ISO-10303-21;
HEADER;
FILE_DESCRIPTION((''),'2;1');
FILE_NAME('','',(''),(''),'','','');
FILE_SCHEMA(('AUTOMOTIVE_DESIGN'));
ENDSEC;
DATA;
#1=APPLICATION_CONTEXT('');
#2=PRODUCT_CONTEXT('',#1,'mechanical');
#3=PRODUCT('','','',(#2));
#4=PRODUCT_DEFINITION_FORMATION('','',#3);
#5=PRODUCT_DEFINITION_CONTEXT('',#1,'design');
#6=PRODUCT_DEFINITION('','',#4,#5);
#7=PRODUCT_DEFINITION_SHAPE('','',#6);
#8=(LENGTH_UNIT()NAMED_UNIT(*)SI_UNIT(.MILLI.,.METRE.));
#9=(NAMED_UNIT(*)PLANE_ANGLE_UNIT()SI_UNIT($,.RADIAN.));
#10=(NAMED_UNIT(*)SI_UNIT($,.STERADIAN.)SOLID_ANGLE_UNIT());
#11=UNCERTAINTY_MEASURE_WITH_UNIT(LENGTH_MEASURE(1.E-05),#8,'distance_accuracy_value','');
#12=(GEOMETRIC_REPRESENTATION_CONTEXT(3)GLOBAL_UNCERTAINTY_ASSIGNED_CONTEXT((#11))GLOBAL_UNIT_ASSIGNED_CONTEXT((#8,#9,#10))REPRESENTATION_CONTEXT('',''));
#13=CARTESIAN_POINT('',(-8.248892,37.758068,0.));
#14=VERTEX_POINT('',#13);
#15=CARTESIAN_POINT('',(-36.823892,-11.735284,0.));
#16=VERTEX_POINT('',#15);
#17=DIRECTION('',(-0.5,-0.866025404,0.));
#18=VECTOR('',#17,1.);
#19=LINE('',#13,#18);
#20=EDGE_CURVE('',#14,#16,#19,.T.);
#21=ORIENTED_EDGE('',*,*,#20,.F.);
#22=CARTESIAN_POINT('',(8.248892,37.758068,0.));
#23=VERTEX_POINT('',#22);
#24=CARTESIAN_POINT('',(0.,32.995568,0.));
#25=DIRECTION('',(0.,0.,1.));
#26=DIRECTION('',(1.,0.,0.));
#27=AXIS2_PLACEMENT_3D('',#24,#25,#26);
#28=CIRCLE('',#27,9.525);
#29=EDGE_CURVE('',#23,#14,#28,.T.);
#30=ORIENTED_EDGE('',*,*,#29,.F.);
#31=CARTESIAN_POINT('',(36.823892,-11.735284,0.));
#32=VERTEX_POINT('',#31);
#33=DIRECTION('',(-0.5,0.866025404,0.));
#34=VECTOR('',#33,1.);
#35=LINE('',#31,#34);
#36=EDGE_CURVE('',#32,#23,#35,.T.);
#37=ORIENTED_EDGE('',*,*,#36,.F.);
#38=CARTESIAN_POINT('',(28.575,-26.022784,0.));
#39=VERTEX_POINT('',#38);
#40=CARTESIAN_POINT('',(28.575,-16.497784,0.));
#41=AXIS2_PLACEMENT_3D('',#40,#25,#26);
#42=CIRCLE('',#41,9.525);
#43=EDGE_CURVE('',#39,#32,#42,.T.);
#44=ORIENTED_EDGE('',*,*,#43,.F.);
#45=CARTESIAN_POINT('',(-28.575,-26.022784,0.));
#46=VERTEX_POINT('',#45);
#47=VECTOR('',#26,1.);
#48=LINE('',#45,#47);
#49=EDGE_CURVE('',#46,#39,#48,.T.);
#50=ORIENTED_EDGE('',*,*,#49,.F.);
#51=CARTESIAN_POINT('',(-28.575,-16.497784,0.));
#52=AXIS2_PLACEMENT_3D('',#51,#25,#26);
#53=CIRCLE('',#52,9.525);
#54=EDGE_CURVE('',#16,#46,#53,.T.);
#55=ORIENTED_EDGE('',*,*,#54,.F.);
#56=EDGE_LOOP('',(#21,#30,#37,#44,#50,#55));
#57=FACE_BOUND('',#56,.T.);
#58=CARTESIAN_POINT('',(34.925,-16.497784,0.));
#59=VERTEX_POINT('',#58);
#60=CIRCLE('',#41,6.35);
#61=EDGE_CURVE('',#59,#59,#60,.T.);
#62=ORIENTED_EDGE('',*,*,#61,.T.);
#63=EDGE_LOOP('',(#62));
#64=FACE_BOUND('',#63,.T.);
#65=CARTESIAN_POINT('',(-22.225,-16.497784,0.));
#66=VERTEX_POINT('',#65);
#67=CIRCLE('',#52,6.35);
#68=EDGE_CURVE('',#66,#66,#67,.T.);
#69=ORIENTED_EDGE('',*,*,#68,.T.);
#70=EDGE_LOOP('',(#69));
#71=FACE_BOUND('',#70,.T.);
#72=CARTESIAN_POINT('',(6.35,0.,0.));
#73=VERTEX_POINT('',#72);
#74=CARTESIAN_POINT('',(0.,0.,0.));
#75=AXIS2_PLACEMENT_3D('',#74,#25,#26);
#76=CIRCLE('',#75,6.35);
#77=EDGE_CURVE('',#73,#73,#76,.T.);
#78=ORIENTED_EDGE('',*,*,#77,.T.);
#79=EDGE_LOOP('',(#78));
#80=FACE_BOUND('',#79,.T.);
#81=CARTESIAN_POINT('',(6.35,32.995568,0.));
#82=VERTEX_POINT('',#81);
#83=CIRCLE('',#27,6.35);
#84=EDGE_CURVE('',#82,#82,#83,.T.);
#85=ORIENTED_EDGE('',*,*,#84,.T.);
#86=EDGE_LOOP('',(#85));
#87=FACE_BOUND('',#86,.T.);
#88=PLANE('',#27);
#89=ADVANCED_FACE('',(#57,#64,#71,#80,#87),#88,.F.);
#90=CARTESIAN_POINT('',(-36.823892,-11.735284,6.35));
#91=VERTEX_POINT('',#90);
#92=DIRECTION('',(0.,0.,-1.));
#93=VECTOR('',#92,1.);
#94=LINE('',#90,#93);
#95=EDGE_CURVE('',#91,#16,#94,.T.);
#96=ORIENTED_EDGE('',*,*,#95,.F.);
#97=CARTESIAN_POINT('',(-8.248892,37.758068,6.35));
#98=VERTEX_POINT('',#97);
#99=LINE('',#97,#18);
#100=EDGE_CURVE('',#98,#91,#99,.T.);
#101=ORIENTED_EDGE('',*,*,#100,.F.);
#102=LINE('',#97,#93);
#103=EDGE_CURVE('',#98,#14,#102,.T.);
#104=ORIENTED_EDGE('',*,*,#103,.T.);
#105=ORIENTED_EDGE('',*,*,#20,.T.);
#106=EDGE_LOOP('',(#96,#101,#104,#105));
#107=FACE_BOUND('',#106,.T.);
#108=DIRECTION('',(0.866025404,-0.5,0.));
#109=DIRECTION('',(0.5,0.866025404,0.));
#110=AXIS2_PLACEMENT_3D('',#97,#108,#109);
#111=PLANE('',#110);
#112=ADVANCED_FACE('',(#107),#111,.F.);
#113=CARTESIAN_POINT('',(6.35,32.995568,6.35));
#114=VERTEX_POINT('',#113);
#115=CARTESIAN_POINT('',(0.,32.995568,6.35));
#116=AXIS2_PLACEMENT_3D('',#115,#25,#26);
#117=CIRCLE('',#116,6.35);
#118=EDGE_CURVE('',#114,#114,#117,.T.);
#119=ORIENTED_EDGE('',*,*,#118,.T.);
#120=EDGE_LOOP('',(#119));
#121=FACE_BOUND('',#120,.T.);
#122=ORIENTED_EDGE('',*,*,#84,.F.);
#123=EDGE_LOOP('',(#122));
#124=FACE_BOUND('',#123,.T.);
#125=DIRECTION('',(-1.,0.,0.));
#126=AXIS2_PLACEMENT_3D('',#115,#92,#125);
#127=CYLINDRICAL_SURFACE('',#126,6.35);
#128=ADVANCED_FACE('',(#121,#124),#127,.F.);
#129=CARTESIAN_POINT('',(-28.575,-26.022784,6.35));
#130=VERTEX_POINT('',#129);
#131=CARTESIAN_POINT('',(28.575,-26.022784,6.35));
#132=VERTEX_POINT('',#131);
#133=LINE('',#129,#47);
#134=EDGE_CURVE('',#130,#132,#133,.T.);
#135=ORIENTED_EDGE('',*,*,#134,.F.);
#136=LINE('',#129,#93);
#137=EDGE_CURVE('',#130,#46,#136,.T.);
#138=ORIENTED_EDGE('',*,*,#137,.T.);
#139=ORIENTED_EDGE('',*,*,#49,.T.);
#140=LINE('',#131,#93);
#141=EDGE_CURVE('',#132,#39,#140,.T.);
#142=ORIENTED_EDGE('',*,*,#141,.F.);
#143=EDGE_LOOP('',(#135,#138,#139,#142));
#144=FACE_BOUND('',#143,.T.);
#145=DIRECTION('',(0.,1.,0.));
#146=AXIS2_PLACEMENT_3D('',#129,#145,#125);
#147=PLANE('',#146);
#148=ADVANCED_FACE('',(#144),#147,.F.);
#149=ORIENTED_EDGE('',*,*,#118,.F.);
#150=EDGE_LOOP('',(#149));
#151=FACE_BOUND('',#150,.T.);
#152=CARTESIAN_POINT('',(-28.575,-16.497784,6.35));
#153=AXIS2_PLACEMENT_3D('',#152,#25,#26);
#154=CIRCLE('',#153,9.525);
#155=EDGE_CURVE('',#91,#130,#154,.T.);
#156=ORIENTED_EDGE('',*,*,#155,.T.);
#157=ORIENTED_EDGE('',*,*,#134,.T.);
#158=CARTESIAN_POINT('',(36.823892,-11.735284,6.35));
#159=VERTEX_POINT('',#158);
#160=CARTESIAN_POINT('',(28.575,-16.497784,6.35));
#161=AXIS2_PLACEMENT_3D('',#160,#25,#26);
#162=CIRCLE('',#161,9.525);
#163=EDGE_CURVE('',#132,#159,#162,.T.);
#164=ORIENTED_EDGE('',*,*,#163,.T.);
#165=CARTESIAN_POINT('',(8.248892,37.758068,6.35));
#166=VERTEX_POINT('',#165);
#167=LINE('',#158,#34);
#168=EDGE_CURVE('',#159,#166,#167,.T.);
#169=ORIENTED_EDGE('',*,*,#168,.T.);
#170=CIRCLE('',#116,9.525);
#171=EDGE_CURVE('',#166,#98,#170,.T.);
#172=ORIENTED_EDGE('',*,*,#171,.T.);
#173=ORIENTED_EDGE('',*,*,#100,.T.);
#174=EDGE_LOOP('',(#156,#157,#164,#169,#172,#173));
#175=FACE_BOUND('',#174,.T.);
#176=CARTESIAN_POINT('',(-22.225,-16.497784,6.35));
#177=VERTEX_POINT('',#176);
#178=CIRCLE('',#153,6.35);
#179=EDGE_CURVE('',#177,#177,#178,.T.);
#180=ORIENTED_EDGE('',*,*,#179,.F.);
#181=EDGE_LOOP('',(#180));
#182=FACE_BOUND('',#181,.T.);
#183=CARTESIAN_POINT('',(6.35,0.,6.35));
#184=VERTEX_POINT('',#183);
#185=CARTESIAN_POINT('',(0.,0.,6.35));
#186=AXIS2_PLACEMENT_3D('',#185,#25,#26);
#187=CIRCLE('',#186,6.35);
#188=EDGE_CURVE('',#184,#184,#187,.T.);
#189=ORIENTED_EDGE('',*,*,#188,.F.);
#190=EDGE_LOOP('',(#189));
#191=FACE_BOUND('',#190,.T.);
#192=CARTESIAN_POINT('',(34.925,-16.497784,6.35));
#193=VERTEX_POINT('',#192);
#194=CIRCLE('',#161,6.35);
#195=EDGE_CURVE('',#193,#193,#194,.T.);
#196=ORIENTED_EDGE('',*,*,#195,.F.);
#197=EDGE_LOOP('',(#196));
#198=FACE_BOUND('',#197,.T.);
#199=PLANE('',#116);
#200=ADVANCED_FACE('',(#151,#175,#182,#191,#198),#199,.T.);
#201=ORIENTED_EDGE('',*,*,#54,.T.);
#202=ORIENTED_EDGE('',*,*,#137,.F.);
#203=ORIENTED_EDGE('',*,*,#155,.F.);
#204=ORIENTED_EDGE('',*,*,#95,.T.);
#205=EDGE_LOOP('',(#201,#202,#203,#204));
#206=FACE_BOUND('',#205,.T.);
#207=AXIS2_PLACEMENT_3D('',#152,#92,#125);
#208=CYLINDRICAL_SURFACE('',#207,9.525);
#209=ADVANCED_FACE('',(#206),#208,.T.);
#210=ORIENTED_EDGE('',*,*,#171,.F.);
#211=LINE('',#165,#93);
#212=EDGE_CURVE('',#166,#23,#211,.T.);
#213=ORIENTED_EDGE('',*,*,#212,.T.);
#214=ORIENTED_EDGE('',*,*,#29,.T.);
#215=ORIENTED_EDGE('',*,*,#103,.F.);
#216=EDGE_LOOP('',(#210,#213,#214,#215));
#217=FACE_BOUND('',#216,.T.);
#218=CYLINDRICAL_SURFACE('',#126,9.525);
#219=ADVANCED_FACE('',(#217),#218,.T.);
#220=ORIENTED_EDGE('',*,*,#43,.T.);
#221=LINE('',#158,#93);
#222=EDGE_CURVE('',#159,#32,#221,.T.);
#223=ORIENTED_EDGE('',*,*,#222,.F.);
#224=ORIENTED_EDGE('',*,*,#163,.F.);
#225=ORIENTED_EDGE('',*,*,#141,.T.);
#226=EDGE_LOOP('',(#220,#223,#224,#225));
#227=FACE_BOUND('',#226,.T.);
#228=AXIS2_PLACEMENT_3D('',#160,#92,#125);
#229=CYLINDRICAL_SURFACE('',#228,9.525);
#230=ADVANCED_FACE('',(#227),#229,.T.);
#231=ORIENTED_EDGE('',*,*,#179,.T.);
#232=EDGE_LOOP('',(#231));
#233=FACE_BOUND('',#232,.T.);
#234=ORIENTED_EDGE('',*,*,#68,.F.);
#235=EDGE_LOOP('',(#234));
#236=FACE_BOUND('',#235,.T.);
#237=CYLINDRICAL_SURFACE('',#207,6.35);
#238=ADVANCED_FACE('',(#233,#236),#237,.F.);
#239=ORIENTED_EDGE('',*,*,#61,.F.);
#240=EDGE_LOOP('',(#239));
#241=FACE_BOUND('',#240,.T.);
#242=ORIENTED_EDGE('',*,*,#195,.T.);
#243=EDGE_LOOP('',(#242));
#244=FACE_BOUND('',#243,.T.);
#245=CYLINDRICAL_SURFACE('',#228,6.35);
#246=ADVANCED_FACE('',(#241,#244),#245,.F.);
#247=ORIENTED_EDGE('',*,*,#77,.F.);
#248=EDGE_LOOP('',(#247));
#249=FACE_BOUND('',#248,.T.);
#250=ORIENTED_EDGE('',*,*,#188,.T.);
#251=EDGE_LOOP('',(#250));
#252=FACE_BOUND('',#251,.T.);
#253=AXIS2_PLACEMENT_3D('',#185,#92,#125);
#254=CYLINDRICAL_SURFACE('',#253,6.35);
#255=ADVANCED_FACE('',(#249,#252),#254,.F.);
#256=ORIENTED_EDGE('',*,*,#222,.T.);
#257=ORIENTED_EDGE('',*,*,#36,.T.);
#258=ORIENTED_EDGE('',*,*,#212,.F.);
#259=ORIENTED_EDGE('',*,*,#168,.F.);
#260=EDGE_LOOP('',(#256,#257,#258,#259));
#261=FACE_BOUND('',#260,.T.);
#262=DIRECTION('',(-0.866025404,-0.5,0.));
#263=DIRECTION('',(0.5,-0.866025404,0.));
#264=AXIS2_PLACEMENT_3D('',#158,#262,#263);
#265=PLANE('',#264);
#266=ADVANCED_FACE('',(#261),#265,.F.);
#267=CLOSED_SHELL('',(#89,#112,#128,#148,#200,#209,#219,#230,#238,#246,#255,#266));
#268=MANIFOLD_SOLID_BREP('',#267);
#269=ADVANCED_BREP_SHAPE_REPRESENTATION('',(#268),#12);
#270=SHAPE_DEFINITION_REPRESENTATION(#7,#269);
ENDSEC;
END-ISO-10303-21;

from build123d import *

# Parameters (mm, degrees)
SKETCH1_R           = 6.35
BOSS_EXTRUDE1_DEPTH = 6.35


with BuildPart() as part:
    # Sketch1 → Boss-Extrude1 (new body)
    with BuildSketch(Plane.XY):
        with BuildLine():
            Line((-8.248891971, 37.758067884), (-36.823891971, -11.735283942))
            ThreePointArc((-36.823891971, -11.735283942), (-36.823891971, -21.260283942), (-28.575, -26.022783942))
            Line((-28.575, -26.022783942), (28.575, -26.022783942))
            ThreePointArc((28.575, -26.022783942), (36.823891971, -21.260283942), (36.823891971, -11.735283942))
            Line((36.823891971, -11.735283942), (8.248891971, 37.758067884))
            ThreePointArc((8.248891971, 37.758067884), (0, 42.520567884), (-8.248891971, 37.758067884))
        make_face()
        Circle(SKETCH1_R, mode=Mode.SUBTRACT)
        with Locations((-28.575, -16.497783942)):
            Circle(SKETCH1_R, mode=Mode.SUBTRACT)
        with Locations((0, 32.995567884)):
            Circle(SKETCH1_R, mode=Mode.SUBTRACT)
        with Locations((28.575, -16.497783942)):
            Circle(SKETCH1_R, mode=Mode.SUBTRACT)
    extrude(amount=BOSS_EXTRUDE1_DEPTH)


solid = part.part
